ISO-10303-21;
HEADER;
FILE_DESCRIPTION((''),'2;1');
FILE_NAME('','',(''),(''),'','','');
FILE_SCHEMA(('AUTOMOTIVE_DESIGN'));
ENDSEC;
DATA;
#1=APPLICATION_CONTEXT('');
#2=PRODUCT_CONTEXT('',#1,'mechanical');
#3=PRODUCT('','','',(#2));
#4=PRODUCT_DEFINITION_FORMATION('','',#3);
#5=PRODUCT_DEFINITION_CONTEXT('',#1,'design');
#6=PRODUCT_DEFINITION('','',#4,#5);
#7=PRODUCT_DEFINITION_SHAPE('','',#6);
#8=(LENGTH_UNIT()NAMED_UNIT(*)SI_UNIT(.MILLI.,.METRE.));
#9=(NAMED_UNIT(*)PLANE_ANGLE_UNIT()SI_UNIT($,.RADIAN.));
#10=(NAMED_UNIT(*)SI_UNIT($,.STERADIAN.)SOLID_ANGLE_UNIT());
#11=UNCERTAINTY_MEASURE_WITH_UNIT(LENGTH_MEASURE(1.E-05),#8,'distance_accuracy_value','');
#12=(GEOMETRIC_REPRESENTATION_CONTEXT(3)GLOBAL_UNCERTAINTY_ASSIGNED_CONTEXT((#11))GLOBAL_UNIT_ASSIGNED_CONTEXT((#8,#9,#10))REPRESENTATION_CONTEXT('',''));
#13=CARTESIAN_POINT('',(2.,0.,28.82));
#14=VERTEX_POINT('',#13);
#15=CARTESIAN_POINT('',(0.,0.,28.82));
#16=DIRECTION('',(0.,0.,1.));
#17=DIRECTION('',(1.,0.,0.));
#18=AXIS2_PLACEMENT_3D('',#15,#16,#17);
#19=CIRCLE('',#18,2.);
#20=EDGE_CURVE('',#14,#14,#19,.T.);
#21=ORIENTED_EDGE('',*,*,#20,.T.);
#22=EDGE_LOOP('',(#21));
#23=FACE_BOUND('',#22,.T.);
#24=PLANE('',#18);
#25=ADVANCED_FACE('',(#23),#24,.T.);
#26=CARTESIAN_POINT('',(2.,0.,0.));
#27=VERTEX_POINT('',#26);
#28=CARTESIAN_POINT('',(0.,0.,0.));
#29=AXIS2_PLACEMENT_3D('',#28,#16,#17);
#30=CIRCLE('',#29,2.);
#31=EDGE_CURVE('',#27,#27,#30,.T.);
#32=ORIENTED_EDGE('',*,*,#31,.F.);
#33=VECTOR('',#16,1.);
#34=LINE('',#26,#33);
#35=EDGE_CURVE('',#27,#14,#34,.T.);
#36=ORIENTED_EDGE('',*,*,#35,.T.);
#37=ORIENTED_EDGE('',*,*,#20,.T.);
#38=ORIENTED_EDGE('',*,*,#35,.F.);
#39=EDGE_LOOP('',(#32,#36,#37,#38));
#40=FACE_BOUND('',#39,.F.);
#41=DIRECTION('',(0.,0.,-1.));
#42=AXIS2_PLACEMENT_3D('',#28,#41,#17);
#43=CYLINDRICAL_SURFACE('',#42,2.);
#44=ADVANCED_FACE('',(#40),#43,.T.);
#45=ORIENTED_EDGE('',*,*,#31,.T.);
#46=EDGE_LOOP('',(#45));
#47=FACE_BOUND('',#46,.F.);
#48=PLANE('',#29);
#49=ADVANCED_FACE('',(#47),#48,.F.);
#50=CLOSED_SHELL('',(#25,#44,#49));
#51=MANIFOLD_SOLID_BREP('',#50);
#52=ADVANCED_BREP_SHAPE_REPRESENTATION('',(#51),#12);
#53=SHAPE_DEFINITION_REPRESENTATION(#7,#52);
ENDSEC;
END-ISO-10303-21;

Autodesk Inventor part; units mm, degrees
ref_plane "YZ Plane" through (0, 0, 0) normal (1, 0, 0) x (0, 1, 0)
ref_plane "XZ Plane" through (0, 0, 0) normal (0, 1, 0) x (-1, 0, 0)
ref_plane "XY Plane" through (0, 0, 0) normal (0, 0, 1) x (1, 0, 0)
sketch "スケッチ1" plane through (0, 0, 0) normal (0, 0, 1) x (1, 0, 0)
  circle A0 centre (0, 0) radius 2
  dimension "d0" = 4
extrude "押し出し1" add sketch "スケッチ1" along normal blind 28.82
properties part number "軸" material "アルミニウム 6061"
